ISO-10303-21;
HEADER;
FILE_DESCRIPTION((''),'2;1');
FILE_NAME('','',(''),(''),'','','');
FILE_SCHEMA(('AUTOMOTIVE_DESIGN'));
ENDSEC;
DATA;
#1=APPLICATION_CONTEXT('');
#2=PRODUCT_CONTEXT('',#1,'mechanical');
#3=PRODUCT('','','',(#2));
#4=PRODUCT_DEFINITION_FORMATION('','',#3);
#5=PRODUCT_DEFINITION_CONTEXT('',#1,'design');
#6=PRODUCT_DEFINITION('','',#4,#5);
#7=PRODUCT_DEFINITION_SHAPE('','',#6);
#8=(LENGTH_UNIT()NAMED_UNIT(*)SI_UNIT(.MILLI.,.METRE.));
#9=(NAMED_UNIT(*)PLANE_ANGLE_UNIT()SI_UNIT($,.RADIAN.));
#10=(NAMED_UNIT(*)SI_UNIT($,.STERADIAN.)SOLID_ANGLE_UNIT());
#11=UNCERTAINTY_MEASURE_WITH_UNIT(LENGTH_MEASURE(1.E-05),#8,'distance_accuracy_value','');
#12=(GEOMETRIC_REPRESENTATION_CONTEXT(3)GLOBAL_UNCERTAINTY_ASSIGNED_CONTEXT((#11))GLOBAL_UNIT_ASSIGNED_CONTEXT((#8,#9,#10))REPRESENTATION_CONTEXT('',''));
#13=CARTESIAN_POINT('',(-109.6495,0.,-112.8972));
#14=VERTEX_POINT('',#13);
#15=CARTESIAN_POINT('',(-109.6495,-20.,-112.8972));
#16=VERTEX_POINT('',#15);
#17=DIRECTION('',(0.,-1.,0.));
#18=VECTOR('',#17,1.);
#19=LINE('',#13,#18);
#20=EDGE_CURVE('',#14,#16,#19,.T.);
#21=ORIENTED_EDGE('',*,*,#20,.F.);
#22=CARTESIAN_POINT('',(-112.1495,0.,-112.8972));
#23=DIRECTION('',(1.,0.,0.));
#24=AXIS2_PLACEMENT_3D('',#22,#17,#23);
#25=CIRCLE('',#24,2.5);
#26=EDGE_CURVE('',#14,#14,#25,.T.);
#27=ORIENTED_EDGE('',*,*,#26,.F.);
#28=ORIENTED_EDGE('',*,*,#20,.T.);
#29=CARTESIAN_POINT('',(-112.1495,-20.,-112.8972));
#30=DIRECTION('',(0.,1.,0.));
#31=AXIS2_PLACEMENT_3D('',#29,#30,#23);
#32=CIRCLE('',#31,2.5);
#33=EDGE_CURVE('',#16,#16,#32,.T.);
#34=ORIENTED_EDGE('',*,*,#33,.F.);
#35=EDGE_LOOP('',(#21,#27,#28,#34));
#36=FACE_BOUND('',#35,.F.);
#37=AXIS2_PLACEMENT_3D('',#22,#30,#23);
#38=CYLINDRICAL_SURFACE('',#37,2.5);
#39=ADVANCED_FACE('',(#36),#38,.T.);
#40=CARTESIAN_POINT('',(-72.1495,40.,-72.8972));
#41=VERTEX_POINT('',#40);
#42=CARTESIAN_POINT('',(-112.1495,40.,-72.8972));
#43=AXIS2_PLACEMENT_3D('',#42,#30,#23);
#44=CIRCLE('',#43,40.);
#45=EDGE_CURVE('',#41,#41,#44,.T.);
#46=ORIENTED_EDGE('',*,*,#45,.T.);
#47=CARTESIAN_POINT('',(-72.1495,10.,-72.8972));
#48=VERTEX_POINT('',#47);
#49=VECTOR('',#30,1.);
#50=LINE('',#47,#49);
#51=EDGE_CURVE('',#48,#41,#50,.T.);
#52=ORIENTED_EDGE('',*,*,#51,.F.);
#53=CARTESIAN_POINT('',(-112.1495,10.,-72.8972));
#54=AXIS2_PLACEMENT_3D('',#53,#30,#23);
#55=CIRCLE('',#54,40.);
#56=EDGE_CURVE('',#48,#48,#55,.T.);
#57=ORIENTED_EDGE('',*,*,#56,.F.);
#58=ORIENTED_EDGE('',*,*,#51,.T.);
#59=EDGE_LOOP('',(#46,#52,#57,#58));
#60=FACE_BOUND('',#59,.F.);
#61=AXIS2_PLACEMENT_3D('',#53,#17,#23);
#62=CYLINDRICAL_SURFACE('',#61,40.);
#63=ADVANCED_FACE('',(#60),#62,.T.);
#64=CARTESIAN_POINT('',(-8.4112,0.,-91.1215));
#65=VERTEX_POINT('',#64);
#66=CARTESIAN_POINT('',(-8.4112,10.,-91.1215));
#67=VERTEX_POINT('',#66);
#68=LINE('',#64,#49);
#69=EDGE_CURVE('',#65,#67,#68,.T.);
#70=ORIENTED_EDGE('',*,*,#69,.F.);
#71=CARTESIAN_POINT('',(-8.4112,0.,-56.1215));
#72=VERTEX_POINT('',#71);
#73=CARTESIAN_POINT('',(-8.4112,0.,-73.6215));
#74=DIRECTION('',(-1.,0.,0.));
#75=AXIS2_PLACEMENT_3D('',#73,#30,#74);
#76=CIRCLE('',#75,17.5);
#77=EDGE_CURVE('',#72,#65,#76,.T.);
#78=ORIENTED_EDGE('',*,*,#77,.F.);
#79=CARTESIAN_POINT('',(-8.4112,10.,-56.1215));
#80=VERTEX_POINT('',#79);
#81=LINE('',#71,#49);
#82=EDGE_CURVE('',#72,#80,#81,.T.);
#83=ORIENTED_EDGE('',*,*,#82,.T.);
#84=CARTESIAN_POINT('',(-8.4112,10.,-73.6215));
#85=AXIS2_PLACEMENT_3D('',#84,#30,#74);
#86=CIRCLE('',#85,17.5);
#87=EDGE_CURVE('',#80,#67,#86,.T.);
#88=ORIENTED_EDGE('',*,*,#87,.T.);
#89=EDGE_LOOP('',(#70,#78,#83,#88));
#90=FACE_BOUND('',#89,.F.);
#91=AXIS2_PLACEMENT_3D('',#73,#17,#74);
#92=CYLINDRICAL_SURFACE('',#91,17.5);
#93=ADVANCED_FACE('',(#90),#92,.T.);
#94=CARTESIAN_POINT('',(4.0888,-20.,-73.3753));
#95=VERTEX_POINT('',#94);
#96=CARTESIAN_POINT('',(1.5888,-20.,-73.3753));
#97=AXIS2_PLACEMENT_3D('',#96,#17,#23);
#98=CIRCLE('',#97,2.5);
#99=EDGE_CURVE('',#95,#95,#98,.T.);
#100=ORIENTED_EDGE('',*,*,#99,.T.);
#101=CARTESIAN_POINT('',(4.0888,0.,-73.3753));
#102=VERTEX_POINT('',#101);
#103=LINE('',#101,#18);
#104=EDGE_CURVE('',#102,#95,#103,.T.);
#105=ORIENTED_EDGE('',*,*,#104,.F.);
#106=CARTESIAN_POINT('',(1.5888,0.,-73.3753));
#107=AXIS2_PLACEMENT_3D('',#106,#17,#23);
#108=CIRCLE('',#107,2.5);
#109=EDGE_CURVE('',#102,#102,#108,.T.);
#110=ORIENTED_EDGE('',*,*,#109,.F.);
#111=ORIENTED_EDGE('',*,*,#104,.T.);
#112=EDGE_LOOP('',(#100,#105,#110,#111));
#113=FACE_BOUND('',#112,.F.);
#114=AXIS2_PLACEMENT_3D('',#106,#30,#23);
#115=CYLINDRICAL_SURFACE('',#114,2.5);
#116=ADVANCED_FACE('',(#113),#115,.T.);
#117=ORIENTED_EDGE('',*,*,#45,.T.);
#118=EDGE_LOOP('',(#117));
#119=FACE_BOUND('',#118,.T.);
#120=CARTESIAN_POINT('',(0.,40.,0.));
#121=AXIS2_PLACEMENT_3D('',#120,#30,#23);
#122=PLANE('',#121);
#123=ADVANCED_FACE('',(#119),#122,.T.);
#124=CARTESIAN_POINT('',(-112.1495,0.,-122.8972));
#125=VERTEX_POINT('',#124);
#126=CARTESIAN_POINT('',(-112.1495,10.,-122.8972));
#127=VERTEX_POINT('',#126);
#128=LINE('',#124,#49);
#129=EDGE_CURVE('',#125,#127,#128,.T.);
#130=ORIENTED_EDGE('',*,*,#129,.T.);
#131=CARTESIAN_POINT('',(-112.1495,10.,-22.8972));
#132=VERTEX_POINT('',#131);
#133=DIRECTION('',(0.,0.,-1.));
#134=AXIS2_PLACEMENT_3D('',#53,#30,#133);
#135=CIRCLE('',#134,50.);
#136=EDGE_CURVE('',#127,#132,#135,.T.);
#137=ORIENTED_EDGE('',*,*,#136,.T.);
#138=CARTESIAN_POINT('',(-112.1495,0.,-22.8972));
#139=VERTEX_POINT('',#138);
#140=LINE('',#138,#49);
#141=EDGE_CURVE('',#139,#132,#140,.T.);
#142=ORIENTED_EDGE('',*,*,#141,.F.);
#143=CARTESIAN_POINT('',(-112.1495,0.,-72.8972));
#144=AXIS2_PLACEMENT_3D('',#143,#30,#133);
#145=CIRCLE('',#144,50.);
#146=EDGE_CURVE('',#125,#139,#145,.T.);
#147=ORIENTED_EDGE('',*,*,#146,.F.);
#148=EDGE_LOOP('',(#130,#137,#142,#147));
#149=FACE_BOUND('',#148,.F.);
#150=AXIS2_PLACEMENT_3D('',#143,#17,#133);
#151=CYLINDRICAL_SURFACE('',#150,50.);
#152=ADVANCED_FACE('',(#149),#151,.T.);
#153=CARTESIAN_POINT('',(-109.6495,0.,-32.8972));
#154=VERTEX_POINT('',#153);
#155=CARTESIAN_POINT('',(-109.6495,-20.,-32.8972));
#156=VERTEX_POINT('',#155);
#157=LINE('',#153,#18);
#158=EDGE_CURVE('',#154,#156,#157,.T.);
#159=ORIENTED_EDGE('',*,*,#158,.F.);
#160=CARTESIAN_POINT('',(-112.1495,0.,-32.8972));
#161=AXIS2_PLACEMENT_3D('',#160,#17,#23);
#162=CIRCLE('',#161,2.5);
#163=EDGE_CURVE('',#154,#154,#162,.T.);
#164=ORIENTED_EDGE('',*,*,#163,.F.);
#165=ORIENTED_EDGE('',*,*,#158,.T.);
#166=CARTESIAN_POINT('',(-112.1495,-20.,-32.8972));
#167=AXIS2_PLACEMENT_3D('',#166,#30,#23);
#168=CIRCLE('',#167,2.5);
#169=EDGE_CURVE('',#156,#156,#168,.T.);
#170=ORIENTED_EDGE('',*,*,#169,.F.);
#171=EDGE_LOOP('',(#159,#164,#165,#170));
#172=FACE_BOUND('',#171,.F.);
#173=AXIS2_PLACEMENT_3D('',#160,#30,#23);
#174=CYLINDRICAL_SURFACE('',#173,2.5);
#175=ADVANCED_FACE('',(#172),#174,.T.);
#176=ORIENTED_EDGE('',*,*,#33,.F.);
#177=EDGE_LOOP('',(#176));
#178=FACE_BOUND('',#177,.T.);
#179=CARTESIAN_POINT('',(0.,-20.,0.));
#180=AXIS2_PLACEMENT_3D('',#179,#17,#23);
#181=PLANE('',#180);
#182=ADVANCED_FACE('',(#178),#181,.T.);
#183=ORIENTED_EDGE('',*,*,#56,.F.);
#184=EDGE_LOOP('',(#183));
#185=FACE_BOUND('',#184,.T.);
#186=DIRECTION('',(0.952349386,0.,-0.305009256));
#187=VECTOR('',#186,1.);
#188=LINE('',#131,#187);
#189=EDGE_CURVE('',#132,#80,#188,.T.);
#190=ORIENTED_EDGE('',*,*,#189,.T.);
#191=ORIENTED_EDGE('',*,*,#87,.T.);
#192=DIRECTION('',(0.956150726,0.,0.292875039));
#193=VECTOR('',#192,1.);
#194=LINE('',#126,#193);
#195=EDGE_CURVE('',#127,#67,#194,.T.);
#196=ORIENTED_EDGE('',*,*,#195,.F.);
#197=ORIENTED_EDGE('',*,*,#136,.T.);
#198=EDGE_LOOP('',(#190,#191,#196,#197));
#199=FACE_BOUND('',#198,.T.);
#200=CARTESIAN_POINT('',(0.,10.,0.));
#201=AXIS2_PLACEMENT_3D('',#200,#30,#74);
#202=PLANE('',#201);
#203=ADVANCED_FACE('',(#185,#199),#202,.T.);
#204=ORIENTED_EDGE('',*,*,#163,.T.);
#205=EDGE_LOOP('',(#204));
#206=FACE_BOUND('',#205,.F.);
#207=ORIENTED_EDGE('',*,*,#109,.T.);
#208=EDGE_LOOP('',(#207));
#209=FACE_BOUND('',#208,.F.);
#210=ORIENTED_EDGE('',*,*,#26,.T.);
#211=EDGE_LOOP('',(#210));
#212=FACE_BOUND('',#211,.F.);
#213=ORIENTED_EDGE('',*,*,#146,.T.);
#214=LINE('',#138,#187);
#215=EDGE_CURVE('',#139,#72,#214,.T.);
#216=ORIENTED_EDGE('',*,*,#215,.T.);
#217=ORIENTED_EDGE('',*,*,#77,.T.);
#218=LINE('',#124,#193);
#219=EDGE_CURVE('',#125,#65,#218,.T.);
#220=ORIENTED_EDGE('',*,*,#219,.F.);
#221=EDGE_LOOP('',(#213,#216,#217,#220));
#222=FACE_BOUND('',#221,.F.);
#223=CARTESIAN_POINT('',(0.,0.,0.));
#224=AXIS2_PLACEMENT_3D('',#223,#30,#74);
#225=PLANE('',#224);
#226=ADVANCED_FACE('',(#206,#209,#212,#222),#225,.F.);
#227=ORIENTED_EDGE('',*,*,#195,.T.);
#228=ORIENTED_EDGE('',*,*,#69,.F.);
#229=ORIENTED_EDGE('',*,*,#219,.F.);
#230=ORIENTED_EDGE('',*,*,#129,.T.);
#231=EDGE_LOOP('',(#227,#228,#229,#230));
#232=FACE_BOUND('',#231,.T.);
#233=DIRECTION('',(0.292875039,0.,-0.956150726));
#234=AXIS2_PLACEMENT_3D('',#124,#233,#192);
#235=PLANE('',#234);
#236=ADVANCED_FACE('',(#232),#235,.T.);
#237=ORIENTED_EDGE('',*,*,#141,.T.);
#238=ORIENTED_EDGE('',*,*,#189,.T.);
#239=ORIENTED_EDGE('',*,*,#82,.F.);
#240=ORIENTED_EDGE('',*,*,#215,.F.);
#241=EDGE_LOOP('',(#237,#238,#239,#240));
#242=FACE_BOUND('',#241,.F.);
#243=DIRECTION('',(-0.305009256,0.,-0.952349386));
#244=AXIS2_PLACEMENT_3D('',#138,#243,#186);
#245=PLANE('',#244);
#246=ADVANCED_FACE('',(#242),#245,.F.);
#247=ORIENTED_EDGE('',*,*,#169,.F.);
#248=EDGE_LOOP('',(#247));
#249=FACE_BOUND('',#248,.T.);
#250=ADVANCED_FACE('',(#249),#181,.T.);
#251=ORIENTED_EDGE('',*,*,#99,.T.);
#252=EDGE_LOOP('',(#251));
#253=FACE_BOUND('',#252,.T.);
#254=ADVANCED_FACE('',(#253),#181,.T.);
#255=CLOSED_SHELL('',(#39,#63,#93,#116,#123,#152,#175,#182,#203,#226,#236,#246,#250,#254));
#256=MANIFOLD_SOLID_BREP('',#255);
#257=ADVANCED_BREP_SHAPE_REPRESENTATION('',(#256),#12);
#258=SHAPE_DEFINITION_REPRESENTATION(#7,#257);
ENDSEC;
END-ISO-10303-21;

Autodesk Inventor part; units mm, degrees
ref_plane "YZ Plane" through (0, 0, 0) normal (1, 0, 0) x (0, 1, 0)
ref_plane "XZ Plane" through (0, 0, 0) normal (0, 1, 0) x (-1, 0, 0)
ref_plane "XY Plane" through (0, 0, 0) normal (0, 0, 1) x (1, 0, 0)
sketch "Skizze1" plane through (0, 0, 0) normal (0, 1, 0) x (-1, 0, 0)
  arc A0 (112.1495, -122.8972) -> (112.1495, -22.8972) centre (112.1495, -72.8972) ccw
  circle A1 centre (8.4112, -73.6215) radius 17.5
  line L0 (112.1495, -122.8972) -> (8.4112, -91.1215)
  line L1 (112.1495, -22.8972) -> (8.4112, -56.1215)
  point P0 (0, 0)
  dimension "d0" = 50
  dimension "d1" = 35
extrude "Extrusion1" add sketch "Skizze1" along normal blind 10
sketch "Skizze2" plane through (0, 10, 0) normal (0, 1, 0) x (1, 0, 0)
  arc A0 (-112.1495, 122.8972) -> (-112.1495, 22.8972) centre (-112.1495, 72.8972) ccw projected
  circle A1 centre (-112.1495, 72.8972) radius 40
  point P0 (0, 0)
  dimension "d4" = 80
extrude "Extrusion2" add sketch "Skizze2" along normal blind 30
sketch "Skizze3" plane through (0, 0, 0) normal (0, -1, 0) x (1, 0, 0)
  circle A0 centre (-112.1495, -112.8972) radius 2.5
  circle A1 centre (-112.1495, -32.8972) radius 2.5
  circle A2 centre (1.5888, -73.3753) radius 2.5
  arc A3 (-8.4112, -91.1215) -> (-8.4112, -56.1215) centre (-8.4112, -73.6215) ccw projected
  circle A4 centre (-112.1495, -72.8972) radius 40 projected
  point P0 (0, 0)
  dimension "d7" = 5
  dimension "d8" = 5
  dimension "d9" = 5
  dimension "d10" = 10
  dimension "d11" = 40
  dimension "d12" = 0
  dimension "d13" = 40
extrude "Extrusion3" add sketch "Skizze3" along normal blind 20 contours A0 A4 | A4 A0 | A4 A1 | A1 A4 | A2
properties part number "Sensor"
